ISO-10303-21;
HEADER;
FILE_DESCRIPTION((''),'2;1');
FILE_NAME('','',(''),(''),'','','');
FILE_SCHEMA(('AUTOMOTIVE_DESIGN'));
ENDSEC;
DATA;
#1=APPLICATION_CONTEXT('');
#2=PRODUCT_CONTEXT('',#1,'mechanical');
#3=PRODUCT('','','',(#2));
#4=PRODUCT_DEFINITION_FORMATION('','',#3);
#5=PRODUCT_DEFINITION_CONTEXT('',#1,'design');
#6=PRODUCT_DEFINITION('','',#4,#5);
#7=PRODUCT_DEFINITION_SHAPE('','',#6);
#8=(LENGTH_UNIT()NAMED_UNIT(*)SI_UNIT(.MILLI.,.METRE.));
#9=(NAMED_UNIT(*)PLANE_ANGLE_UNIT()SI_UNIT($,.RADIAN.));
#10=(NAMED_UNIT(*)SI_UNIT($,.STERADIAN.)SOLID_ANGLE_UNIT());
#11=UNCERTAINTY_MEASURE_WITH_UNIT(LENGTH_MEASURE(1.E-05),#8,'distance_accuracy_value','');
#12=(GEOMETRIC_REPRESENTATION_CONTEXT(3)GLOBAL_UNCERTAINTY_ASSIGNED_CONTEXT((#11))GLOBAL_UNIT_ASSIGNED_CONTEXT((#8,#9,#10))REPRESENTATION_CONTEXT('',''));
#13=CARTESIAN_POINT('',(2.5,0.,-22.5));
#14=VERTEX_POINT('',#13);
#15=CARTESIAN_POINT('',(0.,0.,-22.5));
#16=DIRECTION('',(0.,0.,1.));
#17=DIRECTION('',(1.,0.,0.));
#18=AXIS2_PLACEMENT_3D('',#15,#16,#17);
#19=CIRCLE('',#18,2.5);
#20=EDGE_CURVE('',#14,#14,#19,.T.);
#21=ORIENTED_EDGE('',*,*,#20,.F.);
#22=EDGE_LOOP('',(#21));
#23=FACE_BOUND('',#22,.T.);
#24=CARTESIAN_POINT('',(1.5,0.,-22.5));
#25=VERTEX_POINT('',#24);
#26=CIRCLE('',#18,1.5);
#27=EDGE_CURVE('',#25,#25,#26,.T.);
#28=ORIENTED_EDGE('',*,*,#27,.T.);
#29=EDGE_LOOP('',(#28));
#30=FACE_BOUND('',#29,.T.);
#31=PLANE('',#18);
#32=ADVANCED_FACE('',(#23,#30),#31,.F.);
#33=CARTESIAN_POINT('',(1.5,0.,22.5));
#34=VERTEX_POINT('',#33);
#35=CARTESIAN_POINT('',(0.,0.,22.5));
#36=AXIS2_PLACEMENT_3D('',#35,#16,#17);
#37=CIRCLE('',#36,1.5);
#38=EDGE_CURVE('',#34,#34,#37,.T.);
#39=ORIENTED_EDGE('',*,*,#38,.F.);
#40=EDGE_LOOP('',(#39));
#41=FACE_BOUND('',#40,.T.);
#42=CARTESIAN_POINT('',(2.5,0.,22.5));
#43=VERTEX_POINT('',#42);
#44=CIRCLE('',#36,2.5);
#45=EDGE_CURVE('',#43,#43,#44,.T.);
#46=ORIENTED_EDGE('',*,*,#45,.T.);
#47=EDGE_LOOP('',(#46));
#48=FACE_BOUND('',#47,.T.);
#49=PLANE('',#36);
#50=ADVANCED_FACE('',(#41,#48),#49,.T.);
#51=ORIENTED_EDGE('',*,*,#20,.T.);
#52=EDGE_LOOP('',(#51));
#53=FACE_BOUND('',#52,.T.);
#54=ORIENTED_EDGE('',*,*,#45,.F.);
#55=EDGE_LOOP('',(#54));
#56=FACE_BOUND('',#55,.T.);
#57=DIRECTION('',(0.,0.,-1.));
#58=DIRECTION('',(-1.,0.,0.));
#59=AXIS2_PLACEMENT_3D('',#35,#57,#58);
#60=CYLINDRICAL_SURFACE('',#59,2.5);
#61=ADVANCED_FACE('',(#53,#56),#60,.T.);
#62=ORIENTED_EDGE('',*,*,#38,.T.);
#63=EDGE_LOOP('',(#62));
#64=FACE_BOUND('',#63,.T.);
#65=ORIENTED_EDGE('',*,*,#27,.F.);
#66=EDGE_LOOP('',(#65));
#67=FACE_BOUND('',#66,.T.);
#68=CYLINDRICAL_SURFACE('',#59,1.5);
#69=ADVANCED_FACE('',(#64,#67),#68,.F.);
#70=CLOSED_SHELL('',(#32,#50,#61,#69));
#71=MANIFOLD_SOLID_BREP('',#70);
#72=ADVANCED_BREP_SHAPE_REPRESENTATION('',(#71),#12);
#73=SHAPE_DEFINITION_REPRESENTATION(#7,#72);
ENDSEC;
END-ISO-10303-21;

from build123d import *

# Parameters (mm, degrees)
SKETCH_1_R      = 2.5
SKETCH_1_R_2    = 1.5
EXTRUDE_1_DEPTH = 22.5


with BuildPart() as part:
    # 草图1 → 凸台-拉伸1 (new body, symmetric)
    with BuildSketch(Plane.XY):
        Circle(SKETCH_1_R)
        Circle(SKETCH_1_R_2, mode=Mode.SUBTRACT)
    extrude(amount=EXTRUDE_1_DEPTH, both=True)


solid = part.part
